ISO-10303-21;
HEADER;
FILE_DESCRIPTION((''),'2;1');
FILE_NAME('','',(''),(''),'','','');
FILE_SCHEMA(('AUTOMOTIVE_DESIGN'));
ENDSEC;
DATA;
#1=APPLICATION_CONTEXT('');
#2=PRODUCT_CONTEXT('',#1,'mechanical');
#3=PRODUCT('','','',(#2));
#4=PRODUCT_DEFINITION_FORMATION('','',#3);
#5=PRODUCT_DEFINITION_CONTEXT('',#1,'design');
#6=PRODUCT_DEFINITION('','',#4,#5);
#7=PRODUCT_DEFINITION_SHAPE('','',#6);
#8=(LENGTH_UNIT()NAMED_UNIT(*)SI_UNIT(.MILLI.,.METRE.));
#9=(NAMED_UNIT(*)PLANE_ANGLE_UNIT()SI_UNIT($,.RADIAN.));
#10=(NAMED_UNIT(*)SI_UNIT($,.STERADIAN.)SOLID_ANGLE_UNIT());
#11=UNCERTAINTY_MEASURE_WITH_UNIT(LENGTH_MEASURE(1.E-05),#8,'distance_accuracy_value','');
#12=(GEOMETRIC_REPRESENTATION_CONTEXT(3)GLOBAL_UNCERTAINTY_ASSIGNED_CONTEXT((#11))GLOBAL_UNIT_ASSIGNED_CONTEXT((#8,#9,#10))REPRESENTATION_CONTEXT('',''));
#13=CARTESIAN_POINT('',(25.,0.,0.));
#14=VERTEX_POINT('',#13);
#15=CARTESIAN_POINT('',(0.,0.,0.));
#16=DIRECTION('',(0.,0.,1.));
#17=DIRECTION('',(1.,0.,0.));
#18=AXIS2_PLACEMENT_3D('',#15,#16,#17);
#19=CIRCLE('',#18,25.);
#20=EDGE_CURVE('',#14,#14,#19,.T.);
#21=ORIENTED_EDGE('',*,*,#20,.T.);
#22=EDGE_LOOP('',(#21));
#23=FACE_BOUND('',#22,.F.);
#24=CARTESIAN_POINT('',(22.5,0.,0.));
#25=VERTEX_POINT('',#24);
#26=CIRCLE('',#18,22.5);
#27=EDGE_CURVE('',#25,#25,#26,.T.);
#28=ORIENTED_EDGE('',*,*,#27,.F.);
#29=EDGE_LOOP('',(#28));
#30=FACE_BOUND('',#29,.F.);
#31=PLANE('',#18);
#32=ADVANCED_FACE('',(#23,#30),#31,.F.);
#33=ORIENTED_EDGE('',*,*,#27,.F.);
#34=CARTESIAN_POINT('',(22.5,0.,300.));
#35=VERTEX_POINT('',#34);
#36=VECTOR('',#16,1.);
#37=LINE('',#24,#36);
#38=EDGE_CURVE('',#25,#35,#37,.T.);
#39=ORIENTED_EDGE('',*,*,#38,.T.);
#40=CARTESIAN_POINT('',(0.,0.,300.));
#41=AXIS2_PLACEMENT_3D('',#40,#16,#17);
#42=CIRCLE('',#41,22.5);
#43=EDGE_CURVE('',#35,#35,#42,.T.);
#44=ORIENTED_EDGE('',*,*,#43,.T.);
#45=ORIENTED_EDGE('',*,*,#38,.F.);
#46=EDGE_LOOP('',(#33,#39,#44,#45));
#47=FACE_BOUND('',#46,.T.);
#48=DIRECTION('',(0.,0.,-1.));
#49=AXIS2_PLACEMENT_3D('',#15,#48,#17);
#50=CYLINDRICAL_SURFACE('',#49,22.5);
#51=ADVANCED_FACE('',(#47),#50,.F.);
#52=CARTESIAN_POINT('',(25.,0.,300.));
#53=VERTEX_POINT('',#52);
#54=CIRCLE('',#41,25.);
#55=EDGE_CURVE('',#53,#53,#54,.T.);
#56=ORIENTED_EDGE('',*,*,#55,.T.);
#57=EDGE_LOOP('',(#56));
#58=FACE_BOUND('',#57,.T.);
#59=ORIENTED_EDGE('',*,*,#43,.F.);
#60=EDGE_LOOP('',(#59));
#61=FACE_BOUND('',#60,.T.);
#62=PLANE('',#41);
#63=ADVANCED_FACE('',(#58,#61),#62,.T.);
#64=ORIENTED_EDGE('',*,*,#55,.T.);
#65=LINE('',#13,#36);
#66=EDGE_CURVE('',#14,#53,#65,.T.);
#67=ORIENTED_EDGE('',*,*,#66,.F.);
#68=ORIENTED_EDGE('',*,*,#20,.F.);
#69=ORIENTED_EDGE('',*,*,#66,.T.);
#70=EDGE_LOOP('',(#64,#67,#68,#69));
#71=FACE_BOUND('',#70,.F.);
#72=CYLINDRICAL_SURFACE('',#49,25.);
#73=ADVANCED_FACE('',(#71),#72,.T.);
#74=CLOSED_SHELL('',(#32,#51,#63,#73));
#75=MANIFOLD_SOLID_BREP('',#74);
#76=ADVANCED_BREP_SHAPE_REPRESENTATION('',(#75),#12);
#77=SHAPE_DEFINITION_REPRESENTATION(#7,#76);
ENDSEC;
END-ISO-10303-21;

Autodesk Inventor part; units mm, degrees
ref_plane "YZ Plane" through (0, 0, 0) normal (1, 0, 0) x (0, 1, 0)
ref_plane "XZ Plane" through (0, 0, 0) normal (0, 1, 0) x (-1, 0, 0)
ref_plane "XY Plane" through (0, 0, 0) normal (0, 0, 1) x (1, 0, 0)
sketch "Esquisse1" plane through (0, 0, 0) normal (0, 0, 1) x (1, 0, 0)
  circle A0 centre (0, 0) radius 22.5
  circle A1 centre (0, 0) radius 25
  dimension "d0" = 45
  dimension "d1" = 50
extrude "Extrusion1" add sketch "Esquisse1" along normal blind 300
properties part number "reservoir_pvc" material "Tuyauterie PVC"
